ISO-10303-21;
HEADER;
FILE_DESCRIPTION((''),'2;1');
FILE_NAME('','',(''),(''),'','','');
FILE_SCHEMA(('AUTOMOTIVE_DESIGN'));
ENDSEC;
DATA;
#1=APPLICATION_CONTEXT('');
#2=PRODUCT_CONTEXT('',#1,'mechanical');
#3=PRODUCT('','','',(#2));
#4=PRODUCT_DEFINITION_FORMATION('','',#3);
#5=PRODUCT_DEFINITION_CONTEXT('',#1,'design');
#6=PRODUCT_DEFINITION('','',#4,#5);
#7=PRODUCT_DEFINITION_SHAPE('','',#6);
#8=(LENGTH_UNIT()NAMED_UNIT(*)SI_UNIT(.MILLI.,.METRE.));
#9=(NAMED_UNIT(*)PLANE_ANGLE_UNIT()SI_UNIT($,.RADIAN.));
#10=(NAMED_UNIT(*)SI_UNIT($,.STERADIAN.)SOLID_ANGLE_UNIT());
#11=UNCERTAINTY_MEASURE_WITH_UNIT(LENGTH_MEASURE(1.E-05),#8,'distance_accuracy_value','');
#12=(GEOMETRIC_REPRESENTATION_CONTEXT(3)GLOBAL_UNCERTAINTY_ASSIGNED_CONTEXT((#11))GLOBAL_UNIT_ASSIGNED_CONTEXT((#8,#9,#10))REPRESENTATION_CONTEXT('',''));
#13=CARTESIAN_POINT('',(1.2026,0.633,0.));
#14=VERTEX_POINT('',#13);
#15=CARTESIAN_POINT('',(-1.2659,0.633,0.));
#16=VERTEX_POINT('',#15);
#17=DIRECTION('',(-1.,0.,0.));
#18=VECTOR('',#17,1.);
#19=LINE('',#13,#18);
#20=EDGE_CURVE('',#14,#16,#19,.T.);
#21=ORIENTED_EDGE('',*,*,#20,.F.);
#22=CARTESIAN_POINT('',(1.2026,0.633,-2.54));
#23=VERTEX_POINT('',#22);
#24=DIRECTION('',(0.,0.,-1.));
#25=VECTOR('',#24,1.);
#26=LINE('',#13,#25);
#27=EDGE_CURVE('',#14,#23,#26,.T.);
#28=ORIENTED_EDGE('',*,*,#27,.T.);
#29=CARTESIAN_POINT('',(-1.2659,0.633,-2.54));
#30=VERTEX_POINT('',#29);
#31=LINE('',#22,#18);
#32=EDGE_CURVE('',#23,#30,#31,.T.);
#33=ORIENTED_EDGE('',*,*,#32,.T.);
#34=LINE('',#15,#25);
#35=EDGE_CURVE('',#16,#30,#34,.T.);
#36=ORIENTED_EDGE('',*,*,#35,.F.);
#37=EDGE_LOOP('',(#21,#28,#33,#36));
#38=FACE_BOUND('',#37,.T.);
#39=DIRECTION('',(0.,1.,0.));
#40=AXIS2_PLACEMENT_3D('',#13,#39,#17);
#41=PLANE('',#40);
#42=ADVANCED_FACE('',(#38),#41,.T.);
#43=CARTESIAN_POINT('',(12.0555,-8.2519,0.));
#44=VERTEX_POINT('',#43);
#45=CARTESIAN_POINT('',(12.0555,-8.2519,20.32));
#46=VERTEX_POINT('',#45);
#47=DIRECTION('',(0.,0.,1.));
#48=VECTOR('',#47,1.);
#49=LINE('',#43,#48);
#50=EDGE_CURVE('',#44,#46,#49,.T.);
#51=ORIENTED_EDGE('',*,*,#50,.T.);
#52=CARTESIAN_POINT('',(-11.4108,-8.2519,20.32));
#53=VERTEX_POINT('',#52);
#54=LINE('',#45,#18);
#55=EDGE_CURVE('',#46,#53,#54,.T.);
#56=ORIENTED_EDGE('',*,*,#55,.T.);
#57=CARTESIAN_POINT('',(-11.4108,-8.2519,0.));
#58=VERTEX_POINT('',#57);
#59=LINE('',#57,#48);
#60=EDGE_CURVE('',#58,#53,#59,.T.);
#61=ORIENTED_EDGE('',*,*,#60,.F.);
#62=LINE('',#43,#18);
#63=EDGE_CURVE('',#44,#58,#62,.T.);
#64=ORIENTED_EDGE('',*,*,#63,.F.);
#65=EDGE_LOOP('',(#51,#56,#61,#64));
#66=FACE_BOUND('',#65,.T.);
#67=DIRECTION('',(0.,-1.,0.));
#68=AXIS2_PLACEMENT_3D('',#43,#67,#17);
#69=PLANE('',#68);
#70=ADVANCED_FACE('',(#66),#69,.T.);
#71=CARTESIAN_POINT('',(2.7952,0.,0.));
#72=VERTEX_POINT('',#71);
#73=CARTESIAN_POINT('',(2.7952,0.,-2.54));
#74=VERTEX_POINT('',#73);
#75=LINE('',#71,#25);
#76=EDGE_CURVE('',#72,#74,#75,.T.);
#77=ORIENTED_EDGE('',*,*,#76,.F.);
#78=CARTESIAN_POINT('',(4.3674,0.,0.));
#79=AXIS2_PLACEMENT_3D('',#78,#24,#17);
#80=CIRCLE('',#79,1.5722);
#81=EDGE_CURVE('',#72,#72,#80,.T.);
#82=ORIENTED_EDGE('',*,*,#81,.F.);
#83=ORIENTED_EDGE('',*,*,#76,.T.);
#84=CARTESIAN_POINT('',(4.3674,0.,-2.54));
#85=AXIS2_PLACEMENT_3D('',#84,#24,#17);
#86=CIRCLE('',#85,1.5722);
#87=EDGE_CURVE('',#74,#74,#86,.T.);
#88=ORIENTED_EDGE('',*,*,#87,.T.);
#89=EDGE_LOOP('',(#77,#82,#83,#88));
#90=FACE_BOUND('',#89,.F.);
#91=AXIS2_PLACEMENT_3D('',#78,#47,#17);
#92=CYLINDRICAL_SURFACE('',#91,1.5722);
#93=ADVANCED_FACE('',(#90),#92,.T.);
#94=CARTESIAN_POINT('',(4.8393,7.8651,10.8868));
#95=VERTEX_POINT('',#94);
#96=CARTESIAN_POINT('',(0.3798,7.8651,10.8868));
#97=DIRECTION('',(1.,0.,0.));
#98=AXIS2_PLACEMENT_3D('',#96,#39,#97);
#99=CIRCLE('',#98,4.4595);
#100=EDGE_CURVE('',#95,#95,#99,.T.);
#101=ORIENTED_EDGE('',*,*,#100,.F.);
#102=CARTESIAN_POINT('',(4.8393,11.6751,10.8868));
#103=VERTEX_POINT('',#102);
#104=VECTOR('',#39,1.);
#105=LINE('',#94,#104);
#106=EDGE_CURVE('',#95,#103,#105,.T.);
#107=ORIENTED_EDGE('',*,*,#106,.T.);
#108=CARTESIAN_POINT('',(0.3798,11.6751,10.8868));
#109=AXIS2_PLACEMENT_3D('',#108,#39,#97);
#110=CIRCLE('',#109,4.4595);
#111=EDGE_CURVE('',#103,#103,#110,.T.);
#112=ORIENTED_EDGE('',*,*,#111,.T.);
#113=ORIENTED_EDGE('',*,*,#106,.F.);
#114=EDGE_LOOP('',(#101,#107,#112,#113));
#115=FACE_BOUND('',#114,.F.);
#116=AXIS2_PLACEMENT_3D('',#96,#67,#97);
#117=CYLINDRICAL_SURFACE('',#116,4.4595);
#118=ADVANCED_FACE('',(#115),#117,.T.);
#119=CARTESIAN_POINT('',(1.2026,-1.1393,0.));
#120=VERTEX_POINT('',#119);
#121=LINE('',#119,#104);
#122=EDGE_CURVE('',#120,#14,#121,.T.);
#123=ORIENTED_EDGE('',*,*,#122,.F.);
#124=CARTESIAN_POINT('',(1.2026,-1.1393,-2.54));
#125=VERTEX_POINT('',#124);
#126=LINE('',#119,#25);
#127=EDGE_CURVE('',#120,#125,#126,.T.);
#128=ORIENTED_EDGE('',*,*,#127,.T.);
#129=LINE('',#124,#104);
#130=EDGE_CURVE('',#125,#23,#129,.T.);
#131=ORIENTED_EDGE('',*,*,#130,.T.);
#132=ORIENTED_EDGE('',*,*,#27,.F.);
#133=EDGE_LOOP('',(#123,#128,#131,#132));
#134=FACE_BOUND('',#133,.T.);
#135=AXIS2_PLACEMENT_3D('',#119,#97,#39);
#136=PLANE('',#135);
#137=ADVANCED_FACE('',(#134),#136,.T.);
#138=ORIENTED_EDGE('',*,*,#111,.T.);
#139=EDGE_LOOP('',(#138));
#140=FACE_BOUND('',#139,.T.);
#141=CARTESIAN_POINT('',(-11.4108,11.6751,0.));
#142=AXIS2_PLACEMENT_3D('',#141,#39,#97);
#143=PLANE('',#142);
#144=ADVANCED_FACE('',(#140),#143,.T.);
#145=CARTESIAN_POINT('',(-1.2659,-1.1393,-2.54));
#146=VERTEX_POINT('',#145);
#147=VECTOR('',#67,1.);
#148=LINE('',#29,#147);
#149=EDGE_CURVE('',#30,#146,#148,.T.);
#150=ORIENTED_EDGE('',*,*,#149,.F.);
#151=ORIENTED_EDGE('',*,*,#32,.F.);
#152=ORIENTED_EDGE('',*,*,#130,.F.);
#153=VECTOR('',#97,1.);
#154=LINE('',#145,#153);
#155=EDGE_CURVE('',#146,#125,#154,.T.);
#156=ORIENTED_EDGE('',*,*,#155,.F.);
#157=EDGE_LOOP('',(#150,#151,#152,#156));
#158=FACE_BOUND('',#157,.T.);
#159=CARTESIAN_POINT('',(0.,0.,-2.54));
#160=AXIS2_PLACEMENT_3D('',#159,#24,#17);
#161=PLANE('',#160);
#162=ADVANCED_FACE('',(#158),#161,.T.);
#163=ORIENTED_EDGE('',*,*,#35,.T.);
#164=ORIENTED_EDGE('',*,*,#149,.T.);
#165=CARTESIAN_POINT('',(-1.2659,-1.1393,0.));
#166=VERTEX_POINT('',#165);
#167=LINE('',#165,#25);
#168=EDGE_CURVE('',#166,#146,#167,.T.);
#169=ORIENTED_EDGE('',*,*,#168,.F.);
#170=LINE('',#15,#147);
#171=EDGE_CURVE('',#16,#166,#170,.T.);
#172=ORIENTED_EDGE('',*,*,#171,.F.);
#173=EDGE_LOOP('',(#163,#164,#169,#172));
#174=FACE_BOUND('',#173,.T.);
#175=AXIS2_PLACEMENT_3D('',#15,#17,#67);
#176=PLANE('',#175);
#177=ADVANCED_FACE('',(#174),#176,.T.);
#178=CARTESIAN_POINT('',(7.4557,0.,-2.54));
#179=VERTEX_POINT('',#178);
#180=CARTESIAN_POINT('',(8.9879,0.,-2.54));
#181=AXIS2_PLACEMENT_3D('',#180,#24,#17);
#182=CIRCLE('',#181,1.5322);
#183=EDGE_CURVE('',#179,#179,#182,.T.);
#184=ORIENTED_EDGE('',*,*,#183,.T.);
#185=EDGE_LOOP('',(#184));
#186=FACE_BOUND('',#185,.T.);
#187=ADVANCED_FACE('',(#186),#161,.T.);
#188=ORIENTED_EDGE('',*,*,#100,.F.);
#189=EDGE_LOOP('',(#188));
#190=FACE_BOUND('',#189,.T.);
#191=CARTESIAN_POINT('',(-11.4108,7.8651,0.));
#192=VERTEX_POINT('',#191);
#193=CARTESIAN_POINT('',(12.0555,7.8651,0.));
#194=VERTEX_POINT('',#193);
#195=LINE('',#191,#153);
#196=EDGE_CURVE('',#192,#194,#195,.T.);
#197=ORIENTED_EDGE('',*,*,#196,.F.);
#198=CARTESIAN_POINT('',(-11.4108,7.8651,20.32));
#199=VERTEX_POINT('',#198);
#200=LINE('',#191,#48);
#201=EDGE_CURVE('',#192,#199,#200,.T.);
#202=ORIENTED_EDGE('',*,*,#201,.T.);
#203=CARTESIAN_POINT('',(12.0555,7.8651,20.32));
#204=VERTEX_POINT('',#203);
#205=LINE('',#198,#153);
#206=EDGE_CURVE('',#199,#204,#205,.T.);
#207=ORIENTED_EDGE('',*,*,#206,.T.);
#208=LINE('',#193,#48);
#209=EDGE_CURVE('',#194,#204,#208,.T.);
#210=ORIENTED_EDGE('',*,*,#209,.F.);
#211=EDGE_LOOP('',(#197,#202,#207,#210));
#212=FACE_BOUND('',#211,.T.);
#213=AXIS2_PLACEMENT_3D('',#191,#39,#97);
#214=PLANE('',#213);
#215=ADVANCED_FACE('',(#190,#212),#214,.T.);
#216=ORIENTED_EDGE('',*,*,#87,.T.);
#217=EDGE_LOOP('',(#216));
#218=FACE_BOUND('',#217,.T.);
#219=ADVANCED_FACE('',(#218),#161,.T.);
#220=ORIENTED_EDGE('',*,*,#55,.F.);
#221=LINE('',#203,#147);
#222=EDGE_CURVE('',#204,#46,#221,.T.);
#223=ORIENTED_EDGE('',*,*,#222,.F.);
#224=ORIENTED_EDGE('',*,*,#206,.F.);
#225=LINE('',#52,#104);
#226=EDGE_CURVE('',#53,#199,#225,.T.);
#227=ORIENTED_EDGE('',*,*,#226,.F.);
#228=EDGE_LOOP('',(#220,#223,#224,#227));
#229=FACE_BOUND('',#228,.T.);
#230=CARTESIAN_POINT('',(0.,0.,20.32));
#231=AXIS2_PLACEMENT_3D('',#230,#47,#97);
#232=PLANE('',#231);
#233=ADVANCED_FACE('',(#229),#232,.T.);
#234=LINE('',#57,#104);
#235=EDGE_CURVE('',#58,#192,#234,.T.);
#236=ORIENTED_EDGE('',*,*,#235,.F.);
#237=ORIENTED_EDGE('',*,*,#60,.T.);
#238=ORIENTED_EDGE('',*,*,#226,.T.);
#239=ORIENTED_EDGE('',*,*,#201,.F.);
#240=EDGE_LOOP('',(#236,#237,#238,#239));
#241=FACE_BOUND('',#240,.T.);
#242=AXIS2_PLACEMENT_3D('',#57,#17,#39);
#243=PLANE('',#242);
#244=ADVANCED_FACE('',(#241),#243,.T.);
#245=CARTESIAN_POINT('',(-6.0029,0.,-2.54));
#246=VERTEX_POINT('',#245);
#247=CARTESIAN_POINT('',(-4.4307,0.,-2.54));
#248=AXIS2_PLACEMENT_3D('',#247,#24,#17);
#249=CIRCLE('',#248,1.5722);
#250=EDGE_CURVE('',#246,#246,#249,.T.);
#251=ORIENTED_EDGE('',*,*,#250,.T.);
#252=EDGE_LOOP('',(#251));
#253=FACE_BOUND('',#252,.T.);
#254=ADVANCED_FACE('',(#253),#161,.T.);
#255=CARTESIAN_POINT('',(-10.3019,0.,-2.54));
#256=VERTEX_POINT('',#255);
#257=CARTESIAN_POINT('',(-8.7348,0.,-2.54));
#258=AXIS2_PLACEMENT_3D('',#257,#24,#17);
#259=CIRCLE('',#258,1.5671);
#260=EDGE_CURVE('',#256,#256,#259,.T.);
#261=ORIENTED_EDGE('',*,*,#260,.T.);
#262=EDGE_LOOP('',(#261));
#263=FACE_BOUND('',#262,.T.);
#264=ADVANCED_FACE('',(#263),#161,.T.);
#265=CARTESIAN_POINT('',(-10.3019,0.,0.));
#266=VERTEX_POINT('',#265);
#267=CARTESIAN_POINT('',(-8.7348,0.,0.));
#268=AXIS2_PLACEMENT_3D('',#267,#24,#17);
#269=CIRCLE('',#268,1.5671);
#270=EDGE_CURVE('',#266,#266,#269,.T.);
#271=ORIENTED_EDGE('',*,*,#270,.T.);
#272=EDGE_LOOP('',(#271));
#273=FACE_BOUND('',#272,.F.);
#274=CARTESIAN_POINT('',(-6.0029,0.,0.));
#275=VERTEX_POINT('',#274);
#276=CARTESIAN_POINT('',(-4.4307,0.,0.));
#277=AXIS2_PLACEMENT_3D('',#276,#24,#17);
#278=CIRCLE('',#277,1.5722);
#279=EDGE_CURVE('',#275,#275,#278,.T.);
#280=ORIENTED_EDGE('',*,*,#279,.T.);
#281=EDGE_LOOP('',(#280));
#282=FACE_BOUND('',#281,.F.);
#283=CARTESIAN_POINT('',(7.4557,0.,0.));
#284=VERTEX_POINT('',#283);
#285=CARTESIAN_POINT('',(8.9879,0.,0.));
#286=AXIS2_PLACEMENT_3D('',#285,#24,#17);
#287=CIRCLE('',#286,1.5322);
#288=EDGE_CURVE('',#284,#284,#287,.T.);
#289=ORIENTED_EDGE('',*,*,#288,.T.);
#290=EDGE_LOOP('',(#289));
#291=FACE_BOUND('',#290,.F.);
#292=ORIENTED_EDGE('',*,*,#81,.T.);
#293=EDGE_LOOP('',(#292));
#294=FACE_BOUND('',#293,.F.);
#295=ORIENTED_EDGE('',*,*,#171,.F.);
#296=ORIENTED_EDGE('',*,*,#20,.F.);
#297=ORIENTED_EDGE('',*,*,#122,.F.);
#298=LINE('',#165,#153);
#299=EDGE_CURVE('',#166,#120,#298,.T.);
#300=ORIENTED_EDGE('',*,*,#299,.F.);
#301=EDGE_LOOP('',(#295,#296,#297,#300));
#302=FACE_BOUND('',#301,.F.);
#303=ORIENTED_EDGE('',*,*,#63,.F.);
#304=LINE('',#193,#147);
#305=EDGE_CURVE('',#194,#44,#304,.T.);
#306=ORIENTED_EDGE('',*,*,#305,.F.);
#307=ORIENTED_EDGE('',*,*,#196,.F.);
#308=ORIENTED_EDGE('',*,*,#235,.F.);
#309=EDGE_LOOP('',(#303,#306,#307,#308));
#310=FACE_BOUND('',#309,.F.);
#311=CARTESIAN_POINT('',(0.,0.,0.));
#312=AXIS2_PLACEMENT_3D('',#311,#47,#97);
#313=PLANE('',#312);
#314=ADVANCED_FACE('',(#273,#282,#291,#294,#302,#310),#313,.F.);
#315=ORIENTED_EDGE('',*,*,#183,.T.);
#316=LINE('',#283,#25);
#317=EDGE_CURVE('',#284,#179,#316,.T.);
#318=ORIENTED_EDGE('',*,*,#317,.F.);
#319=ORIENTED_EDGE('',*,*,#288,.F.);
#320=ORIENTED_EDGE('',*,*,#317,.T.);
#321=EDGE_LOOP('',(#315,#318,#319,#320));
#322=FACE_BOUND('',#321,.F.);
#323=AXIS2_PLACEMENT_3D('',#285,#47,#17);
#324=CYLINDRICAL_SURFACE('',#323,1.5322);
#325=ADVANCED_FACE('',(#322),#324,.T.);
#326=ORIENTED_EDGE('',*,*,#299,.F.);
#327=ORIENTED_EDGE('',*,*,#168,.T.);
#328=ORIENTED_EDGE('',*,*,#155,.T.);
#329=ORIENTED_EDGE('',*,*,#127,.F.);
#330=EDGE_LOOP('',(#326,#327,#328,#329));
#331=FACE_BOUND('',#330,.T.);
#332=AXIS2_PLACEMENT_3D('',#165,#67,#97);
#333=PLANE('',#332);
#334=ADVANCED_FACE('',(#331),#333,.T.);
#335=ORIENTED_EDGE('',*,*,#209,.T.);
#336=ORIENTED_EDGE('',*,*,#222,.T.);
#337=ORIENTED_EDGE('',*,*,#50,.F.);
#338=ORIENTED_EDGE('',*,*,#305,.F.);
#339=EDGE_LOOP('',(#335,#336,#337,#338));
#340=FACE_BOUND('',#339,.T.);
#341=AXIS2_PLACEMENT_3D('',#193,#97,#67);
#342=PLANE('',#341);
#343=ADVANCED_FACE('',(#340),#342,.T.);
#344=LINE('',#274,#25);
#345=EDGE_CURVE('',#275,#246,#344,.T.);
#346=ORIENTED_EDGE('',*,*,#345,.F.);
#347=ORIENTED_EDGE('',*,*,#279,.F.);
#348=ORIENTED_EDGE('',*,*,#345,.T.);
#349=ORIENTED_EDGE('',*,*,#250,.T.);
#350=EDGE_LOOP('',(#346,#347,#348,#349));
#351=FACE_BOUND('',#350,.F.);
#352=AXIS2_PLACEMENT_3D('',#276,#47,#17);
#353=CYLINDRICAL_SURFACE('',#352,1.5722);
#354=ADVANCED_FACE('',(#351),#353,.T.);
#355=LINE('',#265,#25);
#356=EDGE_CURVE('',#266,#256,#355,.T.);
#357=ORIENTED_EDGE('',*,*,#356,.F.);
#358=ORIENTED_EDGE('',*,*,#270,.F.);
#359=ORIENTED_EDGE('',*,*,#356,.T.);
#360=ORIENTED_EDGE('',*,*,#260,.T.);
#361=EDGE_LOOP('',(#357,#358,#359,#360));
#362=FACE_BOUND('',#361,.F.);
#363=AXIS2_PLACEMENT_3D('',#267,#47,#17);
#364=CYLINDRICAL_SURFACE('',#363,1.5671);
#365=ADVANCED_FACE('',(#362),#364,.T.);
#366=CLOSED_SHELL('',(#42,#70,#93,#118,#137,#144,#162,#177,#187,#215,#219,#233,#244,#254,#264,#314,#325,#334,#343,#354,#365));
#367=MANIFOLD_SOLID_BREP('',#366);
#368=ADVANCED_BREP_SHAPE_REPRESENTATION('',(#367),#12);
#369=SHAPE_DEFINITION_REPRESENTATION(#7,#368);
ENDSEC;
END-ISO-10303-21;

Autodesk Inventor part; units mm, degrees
ref_plane "YZ Plane" through (0, 0, 0) normal (1, 0, 0) x (0, 1, 0)
ref_plane "XZ Plane" through (0, 0, 0) normal (0, 1, 0) x (-1, 0, 0)
ref_plane "XY Plane" through (0, 0, 0) normal (0, 0, 1) x (1, 0, 0)
sketch "Sketch1" plane through (0, 0, 0) normal (0, 0, 1) x (1, 0, 0)
  point P0 (0, 0)
sketch "Sketch2" plane through (0, 0, 0) normal (0, 0, 1) x (1, 0, 0)
  line L0 (-11.4108, 7.8651) -> (12.0555, 7.8651)
  line L1 (12.0555, 7.8651) -> (12.0555, -8.2519)
  line L2 (12.0555, -8.2519) -> (-11.4108, -8.2519)
  line L3 (-11.4108, -8.2519) -> (-11.4108, 7.8651)
  point P0 (0, 0)
extrude "Extrusion1" add sketch "Sketch2" along normal blind 20.32
sketch "Sketch3" plane through (0, 0, 0) normal (0, 0, -1) x (-1, 0, 0)
  circle A0 centre (-8.9879, 0) radius 1.5322
  circle A1 centre (-4.3674, 0) radius 1.5722
  circle A2 centre (4.4307, 0) radius 1.5722
  circle A3 centre (8.7348, 0) radius 1.5671
  line L0 (-1.2026, 0.633) -> (1.2659, 0.633)
  line L1 (1.2659, 0.633) -> (1.2659, -1.1393)
  line L2 (1.2659, -1.1393) -> (-1.2026, -1.1393)
  line L3 (-1.2026, -1.1393) -> (-1.2026, 0.633)
  point P0 (0, 0)
extrude "Extrusion2" add sketch "Sketch3" along normal blind 2.54
sketch "Sketch4" plane through (-11.4108, 7.8651, 0) normal (0, 1, 0) x (1, 0, 0)
  circle A0 centre (11.7906, -10.8868) radius 4.4595
  point P0 (11.4108, 0)
extrude "Extrusion3" add sketch "Sketch4" along normal blind 3.81
properties part number "newcylinder1"
